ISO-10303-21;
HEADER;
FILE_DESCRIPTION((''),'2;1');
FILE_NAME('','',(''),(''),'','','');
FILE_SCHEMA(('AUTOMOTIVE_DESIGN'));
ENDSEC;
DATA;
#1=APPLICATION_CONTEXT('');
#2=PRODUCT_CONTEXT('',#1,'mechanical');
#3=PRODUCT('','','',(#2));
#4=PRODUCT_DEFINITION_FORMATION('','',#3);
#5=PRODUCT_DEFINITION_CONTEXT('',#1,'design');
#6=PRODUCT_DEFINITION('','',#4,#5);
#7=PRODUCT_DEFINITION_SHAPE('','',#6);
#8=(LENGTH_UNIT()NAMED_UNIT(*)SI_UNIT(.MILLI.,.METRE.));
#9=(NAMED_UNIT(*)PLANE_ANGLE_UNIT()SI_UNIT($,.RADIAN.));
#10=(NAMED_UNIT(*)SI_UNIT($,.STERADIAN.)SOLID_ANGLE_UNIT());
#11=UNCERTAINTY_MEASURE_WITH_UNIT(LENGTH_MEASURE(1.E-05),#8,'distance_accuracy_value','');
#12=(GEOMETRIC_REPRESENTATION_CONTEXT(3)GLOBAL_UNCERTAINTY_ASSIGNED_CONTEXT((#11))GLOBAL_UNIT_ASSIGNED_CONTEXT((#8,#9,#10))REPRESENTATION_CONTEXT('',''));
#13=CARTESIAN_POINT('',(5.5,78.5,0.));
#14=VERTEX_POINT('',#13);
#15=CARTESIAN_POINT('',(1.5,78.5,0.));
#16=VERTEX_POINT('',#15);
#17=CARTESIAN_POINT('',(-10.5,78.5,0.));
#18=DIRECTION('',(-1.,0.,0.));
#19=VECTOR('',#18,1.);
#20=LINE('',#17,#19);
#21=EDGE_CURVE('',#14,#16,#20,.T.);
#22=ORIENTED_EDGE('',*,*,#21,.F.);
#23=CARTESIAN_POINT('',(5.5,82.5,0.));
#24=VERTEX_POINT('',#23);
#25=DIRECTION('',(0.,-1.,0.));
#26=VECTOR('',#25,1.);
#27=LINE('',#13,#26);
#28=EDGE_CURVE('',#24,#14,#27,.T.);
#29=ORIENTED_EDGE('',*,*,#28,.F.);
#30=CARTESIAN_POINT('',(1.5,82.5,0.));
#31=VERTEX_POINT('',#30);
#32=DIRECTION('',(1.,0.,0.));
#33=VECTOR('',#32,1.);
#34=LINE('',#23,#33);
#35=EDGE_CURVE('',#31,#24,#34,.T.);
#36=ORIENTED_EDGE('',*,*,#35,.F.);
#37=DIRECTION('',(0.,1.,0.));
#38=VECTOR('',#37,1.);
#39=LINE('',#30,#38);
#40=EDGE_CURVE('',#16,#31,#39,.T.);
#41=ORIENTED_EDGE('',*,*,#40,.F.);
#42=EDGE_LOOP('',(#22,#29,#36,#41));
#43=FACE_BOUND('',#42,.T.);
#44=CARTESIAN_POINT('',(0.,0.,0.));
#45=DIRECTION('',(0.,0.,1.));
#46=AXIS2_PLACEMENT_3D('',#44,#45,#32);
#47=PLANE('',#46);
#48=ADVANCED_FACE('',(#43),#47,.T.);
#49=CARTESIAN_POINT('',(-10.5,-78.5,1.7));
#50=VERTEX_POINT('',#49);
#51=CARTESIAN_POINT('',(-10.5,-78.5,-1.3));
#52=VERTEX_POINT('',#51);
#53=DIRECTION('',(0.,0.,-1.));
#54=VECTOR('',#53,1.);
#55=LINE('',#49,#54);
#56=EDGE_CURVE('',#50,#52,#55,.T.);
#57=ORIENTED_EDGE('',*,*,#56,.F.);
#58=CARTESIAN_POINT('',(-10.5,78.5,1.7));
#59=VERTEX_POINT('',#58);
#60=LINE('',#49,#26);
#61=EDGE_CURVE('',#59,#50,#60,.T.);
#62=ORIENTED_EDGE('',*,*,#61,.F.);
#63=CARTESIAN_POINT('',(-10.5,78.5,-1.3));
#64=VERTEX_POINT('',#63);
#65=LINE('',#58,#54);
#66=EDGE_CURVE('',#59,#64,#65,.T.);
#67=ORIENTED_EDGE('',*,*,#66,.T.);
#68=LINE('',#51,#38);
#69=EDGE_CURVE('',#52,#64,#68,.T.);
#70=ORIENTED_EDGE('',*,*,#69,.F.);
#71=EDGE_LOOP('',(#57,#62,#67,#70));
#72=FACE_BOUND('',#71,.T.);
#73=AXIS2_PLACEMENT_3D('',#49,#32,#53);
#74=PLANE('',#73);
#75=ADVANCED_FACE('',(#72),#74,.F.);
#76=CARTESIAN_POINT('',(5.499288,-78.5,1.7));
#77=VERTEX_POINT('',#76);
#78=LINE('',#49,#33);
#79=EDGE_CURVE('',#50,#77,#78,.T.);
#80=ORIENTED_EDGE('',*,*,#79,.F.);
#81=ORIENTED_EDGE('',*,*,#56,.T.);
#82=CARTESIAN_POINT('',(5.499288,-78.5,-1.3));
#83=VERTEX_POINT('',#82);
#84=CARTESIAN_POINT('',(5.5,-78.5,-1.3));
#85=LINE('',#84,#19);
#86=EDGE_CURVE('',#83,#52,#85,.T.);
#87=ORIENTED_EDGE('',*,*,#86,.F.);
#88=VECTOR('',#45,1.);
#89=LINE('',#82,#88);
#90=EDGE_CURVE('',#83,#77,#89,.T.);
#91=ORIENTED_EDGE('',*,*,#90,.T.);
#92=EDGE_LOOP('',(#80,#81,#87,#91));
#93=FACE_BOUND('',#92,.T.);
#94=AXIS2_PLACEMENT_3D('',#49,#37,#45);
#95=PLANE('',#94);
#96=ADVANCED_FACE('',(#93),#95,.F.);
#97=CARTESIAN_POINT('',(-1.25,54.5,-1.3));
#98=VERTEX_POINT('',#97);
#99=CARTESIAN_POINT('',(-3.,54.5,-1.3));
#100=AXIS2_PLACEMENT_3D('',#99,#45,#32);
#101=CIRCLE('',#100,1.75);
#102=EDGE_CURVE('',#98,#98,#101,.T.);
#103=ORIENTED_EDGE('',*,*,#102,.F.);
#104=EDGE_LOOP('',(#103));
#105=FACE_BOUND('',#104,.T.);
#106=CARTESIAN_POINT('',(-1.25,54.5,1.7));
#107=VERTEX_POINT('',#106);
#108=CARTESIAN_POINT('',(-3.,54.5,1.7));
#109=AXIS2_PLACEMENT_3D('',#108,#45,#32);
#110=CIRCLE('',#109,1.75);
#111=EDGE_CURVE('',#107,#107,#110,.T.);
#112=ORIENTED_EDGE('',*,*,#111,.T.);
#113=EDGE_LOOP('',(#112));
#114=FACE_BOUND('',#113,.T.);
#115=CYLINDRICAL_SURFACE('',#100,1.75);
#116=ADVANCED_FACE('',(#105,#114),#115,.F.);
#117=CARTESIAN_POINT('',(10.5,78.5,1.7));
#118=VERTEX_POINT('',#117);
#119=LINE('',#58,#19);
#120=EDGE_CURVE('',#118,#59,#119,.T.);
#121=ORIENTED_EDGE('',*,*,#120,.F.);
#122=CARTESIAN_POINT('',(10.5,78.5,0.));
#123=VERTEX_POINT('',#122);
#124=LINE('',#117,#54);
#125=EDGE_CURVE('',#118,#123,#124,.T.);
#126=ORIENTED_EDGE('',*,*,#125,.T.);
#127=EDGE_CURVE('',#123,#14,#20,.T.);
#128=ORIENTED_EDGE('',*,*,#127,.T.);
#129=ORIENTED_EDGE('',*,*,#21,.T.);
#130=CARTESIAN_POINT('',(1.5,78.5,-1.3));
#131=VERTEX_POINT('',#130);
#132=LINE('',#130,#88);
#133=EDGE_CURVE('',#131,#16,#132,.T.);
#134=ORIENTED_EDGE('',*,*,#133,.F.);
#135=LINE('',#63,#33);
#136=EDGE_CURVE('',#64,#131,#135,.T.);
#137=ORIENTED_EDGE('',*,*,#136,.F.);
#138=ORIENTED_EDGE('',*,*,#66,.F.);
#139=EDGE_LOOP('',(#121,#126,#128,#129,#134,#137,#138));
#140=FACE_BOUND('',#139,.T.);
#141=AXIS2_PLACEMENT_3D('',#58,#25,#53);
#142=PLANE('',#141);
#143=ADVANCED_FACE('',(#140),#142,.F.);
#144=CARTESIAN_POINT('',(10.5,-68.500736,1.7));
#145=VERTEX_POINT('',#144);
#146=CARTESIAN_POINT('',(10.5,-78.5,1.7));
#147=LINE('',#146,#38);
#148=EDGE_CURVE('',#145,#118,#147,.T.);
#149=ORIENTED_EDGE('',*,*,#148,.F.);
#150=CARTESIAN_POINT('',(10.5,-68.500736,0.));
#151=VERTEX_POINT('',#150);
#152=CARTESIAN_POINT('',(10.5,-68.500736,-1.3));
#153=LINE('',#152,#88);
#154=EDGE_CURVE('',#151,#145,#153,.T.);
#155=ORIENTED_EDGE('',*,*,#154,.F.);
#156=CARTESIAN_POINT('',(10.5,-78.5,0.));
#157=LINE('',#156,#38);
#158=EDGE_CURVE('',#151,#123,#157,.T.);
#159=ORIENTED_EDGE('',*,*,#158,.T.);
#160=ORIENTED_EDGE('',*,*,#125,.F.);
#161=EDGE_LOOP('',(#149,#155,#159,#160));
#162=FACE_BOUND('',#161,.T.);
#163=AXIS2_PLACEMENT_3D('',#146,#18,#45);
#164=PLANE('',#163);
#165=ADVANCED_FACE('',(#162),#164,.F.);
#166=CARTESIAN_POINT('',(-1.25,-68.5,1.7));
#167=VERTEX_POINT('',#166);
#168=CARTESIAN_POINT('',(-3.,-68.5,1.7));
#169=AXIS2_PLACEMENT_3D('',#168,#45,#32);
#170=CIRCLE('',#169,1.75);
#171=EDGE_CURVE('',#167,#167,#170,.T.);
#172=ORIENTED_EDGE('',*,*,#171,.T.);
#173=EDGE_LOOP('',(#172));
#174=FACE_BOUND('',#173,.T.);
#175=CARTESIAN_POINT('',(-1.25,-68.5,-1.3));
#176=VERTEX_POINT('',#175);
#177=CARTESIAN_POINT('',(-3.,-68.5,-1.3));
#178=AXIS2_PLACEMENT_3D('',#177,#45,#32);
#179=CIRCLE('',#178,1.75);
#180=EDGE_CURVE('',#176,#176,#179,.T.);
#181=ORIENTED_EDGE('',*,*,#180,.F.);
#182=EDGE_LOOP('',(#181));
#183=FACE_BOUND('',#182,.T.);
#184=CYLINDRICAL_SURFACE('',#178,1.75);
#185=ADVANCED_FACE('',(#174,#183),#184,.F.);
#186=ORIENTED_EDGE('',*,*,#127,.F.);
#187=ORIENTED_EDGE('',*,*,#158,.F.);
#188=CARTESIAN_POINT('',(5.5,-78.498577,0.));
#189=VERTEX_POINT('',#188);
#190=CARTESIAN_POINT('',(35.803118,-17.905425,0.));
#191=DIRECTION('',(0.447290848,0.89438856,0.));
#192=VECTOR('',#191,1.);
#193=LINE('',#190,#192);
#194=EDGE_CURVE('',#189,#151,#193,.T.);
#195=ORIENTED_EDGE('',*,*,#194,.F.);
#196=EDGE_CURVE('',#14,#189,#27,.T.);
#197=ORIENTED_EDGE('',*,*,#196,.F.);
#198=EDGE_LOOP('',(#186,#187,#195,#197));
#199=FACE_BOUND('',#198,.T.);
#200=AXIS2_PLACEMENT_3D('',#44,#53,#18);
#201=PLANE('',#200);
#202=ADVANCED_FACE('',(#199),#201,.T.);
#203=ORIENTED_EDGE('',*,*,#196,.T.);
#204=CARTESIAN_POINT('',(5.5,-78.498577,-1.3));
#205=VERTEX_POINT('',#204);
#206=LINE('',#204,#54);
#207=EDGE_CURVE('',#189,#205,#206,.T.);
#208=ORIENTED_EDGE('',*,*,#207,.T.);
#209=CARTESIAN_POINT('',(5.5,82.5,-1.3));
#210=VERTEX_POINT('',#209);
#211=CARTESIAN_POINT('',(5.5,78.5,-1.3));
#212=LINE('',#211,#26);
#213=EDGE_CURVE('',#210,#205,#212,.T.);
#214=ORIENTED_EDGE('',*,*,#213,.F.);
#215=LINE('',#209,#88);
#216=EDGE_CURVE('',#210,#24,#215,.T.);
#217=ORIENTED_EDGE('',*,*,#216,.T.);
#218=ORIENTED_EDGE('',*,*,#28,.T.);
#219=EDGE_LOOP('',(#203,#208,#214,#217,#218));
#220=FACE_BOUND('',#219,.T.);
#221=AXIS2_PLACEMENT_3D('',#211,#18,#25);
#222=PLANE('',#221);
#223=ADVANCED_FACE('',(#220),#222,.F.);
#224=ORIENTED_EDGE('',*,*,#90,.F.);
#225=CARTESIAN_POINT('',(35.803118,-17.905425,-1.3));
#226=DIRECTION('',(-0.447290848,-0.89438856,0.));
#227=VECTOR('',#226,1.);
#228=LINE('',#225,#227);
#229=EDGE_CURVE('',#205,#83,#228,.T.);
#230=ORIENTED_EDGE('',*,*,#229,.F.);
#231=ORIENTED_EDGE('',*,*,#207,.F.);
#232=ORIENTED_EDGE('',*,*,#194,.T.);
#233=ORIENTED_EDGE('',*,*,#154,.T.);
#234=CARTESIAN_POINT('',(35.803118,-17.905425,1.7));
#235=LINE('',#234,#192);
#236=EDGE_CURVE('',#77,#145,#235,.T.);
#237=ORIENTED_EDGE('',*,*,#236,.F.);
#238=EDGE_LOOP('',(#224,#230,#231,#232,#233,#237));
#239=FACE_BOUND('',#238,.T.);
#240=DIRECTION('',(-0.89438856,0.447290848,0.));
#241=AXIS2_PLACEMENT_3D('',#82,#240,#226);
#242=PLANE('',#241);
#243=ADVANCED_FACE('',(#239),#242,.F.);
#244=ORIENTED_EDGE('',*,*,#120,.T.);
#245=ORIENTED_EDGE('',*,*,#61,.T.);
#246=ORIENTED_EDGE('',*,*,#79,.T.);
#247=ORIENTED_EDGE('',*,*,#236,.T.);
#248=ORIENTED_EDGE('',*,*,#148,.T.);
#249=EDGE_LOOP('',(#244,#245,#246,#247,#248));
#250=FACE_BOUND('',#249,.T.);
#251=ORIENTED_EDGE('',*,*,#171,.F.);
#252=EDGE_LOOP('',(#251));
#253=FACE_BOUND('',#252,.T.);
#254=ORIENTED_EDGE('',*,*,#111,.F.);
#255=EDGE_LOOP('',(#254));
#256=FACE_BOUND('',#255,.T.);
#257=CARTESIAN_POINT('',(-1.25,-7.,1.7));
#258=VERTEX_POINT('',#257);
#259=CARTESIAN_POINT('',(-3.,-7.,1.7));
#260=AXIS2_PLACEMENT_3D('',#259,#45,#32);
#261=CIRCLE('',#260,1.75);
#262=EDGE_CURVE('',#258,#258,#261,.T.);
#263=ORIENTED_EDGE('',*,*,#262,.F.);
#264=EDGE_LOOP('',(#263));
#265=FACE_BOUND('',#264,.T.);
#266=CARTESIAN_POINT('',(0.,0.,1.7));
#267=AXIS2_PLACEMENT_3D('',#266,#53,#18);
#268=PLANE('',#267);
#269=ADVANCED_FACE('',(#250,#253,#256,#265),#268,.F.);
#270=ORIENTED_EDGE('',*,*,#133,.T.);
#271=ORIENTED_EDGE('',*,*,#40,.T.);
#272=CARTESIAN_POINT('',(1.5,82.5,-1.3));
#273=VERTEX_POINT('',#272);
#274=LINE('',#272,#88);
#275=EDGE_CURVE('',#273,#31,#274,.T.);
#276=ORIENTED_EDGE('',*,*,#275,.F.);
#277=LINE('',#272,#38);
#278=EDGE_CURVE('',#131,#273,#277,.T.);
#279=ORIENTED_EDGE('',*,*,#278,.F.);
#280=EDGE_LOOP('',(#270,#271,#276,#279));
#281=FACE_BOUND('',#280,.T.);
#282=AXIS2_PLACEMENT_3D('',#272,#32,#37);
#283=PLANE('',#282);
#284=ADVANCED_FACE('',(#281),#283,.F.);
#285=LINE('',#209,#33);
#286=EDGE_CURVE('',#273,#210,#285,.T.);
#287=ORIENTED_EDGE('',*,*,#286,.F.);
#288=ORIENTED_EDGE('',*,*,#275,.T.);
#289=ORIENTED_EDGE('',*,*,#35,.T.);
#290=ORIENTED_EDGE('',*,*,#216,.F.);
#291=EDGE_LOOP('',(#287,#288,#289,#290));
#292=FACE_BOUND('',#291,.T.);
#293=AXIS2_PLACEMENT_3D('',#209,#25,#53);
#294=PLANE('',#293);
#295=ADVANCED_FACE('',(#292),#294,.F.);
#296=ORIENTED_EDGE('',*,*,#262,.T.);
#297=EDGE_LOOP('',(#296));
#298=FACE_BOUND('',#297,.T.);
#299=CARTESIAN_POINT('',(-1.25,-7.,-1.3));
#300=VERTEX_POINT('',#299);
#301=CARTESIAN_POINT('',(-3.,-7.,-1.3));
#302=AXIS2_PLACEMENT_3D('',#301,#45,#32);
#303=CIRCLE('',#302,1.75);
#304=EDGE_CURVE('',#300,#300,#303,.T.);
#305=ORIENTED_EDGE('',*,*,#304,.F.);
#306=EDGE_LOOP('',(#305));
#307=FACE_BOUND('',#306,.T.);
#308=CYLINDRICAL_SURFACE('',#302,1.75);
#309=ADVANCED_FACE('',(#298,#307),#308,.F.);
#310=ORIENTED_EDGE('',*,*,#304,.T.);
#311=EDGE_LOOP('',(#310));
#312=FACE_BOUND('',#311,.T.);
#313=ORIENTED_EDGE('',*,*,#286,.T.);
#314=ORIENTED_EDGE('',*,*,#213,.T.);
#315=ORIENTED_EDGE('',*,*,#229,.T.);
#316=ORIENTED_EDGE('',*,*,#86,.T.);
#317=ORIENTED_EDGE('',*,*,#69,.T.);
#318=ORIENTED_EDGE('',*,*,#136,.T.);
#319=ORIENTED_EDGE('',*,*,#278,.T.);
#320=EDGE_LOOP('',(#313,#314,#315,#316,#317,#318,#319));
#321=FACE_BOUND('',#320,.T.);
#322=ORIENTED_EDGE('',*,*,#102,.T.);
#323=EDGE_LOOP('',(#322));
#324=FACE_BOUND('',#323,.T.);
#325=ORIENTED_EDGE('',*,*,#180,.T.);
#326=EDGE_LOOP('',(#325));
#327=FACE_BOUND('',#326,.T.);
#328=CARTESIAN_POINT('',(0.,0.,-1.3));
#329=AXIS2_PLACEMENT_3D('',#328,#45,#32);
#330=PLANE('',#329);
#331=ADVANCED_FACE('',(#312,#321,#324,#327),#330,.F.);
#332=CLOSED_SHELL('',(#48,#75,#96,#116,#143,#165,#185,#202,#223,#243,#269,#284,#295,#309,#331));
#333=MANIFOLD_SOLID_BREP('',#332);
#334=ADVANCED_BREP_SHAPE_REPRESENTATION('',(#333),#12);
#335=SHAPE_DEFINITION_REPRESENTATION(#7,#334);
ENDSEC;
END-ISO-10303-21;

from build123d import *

# Parameters (mm, degrees)
SKETCH1_W               = 21
SKETCH1_H               = 157
BOSS_EXTRUDE1_DEPTH     = 1.7
BOSS_EXTRUDE2_DEPTH     = 1.3
SKETCH3_R               = 1.75
CUT_EXTRUDE1_DEPTH      = 4
CUT_EXTRUDE2_DEPTH      = 1
CUT_EXTRUDE2_DEPTH_BACK = 4


with BuildPart() as part:
    # Sketch1 → Boss-Extrude1 (new body)
    with BuildSketch(Plane.XY):
        Rectangle(SKETCH1_W, SKETCH1_H)
    extrude(amount=BOSS_EXTRUDE1_DEPTH)

    # Sketch2 → Boss-Extrude2 (add)
    with BuildSketch(Plane(origin=(0, 0, 0), x_dir=(-1, 0, 0), z_dir=(0, 0, -1))):
        Polygon((-5.5, 78.5), (-5.5, -78.5), (10.5, -78.5), (10.5, 78.5), (-1.5, 78.5), (-1.5, 82.5), (-5.5, 82.5), align=None)
    extrude(amount=BOSS_EXTRUDE2_DEPTH)

    # Sketch3 → Cut-Extrude1 (cut, through all)
    with BuildSketch(Plane.XY.offset(1.7)):
        with Locations((-3, 54.5)):
            Circle(SKETCH3_R)
        with Locations((-3, -7)):
            Circle(SKETCH3_R)
        with Locations((-3, -68.5)):
            Circle(SKETCH3_R)
    extrude(amount=-CUT_EXTRUDE1_DEPTH, mode=Mode.SUBTRACT)

    # Sketch4 → Cut-Extrude2 (cut, two sides)
    with BuildSketch(Plane.XY.offset(1.7)) as cut_extrude2_sk:
        Polygon((5.499288315, -78.5), (10.5, -68.500735895), (10.5, -78.5), align=None)
    extrude(amount=CUT_EXTRUDE2_DEPTH, mode=Mode.SUBTRACT)
    extrude(cut_extrude2_sk.sketch, amount=-CUT_EXTRUDE2_DEPTH_BACK, mode=Mode.SUBTRACT)


solid = part.part
